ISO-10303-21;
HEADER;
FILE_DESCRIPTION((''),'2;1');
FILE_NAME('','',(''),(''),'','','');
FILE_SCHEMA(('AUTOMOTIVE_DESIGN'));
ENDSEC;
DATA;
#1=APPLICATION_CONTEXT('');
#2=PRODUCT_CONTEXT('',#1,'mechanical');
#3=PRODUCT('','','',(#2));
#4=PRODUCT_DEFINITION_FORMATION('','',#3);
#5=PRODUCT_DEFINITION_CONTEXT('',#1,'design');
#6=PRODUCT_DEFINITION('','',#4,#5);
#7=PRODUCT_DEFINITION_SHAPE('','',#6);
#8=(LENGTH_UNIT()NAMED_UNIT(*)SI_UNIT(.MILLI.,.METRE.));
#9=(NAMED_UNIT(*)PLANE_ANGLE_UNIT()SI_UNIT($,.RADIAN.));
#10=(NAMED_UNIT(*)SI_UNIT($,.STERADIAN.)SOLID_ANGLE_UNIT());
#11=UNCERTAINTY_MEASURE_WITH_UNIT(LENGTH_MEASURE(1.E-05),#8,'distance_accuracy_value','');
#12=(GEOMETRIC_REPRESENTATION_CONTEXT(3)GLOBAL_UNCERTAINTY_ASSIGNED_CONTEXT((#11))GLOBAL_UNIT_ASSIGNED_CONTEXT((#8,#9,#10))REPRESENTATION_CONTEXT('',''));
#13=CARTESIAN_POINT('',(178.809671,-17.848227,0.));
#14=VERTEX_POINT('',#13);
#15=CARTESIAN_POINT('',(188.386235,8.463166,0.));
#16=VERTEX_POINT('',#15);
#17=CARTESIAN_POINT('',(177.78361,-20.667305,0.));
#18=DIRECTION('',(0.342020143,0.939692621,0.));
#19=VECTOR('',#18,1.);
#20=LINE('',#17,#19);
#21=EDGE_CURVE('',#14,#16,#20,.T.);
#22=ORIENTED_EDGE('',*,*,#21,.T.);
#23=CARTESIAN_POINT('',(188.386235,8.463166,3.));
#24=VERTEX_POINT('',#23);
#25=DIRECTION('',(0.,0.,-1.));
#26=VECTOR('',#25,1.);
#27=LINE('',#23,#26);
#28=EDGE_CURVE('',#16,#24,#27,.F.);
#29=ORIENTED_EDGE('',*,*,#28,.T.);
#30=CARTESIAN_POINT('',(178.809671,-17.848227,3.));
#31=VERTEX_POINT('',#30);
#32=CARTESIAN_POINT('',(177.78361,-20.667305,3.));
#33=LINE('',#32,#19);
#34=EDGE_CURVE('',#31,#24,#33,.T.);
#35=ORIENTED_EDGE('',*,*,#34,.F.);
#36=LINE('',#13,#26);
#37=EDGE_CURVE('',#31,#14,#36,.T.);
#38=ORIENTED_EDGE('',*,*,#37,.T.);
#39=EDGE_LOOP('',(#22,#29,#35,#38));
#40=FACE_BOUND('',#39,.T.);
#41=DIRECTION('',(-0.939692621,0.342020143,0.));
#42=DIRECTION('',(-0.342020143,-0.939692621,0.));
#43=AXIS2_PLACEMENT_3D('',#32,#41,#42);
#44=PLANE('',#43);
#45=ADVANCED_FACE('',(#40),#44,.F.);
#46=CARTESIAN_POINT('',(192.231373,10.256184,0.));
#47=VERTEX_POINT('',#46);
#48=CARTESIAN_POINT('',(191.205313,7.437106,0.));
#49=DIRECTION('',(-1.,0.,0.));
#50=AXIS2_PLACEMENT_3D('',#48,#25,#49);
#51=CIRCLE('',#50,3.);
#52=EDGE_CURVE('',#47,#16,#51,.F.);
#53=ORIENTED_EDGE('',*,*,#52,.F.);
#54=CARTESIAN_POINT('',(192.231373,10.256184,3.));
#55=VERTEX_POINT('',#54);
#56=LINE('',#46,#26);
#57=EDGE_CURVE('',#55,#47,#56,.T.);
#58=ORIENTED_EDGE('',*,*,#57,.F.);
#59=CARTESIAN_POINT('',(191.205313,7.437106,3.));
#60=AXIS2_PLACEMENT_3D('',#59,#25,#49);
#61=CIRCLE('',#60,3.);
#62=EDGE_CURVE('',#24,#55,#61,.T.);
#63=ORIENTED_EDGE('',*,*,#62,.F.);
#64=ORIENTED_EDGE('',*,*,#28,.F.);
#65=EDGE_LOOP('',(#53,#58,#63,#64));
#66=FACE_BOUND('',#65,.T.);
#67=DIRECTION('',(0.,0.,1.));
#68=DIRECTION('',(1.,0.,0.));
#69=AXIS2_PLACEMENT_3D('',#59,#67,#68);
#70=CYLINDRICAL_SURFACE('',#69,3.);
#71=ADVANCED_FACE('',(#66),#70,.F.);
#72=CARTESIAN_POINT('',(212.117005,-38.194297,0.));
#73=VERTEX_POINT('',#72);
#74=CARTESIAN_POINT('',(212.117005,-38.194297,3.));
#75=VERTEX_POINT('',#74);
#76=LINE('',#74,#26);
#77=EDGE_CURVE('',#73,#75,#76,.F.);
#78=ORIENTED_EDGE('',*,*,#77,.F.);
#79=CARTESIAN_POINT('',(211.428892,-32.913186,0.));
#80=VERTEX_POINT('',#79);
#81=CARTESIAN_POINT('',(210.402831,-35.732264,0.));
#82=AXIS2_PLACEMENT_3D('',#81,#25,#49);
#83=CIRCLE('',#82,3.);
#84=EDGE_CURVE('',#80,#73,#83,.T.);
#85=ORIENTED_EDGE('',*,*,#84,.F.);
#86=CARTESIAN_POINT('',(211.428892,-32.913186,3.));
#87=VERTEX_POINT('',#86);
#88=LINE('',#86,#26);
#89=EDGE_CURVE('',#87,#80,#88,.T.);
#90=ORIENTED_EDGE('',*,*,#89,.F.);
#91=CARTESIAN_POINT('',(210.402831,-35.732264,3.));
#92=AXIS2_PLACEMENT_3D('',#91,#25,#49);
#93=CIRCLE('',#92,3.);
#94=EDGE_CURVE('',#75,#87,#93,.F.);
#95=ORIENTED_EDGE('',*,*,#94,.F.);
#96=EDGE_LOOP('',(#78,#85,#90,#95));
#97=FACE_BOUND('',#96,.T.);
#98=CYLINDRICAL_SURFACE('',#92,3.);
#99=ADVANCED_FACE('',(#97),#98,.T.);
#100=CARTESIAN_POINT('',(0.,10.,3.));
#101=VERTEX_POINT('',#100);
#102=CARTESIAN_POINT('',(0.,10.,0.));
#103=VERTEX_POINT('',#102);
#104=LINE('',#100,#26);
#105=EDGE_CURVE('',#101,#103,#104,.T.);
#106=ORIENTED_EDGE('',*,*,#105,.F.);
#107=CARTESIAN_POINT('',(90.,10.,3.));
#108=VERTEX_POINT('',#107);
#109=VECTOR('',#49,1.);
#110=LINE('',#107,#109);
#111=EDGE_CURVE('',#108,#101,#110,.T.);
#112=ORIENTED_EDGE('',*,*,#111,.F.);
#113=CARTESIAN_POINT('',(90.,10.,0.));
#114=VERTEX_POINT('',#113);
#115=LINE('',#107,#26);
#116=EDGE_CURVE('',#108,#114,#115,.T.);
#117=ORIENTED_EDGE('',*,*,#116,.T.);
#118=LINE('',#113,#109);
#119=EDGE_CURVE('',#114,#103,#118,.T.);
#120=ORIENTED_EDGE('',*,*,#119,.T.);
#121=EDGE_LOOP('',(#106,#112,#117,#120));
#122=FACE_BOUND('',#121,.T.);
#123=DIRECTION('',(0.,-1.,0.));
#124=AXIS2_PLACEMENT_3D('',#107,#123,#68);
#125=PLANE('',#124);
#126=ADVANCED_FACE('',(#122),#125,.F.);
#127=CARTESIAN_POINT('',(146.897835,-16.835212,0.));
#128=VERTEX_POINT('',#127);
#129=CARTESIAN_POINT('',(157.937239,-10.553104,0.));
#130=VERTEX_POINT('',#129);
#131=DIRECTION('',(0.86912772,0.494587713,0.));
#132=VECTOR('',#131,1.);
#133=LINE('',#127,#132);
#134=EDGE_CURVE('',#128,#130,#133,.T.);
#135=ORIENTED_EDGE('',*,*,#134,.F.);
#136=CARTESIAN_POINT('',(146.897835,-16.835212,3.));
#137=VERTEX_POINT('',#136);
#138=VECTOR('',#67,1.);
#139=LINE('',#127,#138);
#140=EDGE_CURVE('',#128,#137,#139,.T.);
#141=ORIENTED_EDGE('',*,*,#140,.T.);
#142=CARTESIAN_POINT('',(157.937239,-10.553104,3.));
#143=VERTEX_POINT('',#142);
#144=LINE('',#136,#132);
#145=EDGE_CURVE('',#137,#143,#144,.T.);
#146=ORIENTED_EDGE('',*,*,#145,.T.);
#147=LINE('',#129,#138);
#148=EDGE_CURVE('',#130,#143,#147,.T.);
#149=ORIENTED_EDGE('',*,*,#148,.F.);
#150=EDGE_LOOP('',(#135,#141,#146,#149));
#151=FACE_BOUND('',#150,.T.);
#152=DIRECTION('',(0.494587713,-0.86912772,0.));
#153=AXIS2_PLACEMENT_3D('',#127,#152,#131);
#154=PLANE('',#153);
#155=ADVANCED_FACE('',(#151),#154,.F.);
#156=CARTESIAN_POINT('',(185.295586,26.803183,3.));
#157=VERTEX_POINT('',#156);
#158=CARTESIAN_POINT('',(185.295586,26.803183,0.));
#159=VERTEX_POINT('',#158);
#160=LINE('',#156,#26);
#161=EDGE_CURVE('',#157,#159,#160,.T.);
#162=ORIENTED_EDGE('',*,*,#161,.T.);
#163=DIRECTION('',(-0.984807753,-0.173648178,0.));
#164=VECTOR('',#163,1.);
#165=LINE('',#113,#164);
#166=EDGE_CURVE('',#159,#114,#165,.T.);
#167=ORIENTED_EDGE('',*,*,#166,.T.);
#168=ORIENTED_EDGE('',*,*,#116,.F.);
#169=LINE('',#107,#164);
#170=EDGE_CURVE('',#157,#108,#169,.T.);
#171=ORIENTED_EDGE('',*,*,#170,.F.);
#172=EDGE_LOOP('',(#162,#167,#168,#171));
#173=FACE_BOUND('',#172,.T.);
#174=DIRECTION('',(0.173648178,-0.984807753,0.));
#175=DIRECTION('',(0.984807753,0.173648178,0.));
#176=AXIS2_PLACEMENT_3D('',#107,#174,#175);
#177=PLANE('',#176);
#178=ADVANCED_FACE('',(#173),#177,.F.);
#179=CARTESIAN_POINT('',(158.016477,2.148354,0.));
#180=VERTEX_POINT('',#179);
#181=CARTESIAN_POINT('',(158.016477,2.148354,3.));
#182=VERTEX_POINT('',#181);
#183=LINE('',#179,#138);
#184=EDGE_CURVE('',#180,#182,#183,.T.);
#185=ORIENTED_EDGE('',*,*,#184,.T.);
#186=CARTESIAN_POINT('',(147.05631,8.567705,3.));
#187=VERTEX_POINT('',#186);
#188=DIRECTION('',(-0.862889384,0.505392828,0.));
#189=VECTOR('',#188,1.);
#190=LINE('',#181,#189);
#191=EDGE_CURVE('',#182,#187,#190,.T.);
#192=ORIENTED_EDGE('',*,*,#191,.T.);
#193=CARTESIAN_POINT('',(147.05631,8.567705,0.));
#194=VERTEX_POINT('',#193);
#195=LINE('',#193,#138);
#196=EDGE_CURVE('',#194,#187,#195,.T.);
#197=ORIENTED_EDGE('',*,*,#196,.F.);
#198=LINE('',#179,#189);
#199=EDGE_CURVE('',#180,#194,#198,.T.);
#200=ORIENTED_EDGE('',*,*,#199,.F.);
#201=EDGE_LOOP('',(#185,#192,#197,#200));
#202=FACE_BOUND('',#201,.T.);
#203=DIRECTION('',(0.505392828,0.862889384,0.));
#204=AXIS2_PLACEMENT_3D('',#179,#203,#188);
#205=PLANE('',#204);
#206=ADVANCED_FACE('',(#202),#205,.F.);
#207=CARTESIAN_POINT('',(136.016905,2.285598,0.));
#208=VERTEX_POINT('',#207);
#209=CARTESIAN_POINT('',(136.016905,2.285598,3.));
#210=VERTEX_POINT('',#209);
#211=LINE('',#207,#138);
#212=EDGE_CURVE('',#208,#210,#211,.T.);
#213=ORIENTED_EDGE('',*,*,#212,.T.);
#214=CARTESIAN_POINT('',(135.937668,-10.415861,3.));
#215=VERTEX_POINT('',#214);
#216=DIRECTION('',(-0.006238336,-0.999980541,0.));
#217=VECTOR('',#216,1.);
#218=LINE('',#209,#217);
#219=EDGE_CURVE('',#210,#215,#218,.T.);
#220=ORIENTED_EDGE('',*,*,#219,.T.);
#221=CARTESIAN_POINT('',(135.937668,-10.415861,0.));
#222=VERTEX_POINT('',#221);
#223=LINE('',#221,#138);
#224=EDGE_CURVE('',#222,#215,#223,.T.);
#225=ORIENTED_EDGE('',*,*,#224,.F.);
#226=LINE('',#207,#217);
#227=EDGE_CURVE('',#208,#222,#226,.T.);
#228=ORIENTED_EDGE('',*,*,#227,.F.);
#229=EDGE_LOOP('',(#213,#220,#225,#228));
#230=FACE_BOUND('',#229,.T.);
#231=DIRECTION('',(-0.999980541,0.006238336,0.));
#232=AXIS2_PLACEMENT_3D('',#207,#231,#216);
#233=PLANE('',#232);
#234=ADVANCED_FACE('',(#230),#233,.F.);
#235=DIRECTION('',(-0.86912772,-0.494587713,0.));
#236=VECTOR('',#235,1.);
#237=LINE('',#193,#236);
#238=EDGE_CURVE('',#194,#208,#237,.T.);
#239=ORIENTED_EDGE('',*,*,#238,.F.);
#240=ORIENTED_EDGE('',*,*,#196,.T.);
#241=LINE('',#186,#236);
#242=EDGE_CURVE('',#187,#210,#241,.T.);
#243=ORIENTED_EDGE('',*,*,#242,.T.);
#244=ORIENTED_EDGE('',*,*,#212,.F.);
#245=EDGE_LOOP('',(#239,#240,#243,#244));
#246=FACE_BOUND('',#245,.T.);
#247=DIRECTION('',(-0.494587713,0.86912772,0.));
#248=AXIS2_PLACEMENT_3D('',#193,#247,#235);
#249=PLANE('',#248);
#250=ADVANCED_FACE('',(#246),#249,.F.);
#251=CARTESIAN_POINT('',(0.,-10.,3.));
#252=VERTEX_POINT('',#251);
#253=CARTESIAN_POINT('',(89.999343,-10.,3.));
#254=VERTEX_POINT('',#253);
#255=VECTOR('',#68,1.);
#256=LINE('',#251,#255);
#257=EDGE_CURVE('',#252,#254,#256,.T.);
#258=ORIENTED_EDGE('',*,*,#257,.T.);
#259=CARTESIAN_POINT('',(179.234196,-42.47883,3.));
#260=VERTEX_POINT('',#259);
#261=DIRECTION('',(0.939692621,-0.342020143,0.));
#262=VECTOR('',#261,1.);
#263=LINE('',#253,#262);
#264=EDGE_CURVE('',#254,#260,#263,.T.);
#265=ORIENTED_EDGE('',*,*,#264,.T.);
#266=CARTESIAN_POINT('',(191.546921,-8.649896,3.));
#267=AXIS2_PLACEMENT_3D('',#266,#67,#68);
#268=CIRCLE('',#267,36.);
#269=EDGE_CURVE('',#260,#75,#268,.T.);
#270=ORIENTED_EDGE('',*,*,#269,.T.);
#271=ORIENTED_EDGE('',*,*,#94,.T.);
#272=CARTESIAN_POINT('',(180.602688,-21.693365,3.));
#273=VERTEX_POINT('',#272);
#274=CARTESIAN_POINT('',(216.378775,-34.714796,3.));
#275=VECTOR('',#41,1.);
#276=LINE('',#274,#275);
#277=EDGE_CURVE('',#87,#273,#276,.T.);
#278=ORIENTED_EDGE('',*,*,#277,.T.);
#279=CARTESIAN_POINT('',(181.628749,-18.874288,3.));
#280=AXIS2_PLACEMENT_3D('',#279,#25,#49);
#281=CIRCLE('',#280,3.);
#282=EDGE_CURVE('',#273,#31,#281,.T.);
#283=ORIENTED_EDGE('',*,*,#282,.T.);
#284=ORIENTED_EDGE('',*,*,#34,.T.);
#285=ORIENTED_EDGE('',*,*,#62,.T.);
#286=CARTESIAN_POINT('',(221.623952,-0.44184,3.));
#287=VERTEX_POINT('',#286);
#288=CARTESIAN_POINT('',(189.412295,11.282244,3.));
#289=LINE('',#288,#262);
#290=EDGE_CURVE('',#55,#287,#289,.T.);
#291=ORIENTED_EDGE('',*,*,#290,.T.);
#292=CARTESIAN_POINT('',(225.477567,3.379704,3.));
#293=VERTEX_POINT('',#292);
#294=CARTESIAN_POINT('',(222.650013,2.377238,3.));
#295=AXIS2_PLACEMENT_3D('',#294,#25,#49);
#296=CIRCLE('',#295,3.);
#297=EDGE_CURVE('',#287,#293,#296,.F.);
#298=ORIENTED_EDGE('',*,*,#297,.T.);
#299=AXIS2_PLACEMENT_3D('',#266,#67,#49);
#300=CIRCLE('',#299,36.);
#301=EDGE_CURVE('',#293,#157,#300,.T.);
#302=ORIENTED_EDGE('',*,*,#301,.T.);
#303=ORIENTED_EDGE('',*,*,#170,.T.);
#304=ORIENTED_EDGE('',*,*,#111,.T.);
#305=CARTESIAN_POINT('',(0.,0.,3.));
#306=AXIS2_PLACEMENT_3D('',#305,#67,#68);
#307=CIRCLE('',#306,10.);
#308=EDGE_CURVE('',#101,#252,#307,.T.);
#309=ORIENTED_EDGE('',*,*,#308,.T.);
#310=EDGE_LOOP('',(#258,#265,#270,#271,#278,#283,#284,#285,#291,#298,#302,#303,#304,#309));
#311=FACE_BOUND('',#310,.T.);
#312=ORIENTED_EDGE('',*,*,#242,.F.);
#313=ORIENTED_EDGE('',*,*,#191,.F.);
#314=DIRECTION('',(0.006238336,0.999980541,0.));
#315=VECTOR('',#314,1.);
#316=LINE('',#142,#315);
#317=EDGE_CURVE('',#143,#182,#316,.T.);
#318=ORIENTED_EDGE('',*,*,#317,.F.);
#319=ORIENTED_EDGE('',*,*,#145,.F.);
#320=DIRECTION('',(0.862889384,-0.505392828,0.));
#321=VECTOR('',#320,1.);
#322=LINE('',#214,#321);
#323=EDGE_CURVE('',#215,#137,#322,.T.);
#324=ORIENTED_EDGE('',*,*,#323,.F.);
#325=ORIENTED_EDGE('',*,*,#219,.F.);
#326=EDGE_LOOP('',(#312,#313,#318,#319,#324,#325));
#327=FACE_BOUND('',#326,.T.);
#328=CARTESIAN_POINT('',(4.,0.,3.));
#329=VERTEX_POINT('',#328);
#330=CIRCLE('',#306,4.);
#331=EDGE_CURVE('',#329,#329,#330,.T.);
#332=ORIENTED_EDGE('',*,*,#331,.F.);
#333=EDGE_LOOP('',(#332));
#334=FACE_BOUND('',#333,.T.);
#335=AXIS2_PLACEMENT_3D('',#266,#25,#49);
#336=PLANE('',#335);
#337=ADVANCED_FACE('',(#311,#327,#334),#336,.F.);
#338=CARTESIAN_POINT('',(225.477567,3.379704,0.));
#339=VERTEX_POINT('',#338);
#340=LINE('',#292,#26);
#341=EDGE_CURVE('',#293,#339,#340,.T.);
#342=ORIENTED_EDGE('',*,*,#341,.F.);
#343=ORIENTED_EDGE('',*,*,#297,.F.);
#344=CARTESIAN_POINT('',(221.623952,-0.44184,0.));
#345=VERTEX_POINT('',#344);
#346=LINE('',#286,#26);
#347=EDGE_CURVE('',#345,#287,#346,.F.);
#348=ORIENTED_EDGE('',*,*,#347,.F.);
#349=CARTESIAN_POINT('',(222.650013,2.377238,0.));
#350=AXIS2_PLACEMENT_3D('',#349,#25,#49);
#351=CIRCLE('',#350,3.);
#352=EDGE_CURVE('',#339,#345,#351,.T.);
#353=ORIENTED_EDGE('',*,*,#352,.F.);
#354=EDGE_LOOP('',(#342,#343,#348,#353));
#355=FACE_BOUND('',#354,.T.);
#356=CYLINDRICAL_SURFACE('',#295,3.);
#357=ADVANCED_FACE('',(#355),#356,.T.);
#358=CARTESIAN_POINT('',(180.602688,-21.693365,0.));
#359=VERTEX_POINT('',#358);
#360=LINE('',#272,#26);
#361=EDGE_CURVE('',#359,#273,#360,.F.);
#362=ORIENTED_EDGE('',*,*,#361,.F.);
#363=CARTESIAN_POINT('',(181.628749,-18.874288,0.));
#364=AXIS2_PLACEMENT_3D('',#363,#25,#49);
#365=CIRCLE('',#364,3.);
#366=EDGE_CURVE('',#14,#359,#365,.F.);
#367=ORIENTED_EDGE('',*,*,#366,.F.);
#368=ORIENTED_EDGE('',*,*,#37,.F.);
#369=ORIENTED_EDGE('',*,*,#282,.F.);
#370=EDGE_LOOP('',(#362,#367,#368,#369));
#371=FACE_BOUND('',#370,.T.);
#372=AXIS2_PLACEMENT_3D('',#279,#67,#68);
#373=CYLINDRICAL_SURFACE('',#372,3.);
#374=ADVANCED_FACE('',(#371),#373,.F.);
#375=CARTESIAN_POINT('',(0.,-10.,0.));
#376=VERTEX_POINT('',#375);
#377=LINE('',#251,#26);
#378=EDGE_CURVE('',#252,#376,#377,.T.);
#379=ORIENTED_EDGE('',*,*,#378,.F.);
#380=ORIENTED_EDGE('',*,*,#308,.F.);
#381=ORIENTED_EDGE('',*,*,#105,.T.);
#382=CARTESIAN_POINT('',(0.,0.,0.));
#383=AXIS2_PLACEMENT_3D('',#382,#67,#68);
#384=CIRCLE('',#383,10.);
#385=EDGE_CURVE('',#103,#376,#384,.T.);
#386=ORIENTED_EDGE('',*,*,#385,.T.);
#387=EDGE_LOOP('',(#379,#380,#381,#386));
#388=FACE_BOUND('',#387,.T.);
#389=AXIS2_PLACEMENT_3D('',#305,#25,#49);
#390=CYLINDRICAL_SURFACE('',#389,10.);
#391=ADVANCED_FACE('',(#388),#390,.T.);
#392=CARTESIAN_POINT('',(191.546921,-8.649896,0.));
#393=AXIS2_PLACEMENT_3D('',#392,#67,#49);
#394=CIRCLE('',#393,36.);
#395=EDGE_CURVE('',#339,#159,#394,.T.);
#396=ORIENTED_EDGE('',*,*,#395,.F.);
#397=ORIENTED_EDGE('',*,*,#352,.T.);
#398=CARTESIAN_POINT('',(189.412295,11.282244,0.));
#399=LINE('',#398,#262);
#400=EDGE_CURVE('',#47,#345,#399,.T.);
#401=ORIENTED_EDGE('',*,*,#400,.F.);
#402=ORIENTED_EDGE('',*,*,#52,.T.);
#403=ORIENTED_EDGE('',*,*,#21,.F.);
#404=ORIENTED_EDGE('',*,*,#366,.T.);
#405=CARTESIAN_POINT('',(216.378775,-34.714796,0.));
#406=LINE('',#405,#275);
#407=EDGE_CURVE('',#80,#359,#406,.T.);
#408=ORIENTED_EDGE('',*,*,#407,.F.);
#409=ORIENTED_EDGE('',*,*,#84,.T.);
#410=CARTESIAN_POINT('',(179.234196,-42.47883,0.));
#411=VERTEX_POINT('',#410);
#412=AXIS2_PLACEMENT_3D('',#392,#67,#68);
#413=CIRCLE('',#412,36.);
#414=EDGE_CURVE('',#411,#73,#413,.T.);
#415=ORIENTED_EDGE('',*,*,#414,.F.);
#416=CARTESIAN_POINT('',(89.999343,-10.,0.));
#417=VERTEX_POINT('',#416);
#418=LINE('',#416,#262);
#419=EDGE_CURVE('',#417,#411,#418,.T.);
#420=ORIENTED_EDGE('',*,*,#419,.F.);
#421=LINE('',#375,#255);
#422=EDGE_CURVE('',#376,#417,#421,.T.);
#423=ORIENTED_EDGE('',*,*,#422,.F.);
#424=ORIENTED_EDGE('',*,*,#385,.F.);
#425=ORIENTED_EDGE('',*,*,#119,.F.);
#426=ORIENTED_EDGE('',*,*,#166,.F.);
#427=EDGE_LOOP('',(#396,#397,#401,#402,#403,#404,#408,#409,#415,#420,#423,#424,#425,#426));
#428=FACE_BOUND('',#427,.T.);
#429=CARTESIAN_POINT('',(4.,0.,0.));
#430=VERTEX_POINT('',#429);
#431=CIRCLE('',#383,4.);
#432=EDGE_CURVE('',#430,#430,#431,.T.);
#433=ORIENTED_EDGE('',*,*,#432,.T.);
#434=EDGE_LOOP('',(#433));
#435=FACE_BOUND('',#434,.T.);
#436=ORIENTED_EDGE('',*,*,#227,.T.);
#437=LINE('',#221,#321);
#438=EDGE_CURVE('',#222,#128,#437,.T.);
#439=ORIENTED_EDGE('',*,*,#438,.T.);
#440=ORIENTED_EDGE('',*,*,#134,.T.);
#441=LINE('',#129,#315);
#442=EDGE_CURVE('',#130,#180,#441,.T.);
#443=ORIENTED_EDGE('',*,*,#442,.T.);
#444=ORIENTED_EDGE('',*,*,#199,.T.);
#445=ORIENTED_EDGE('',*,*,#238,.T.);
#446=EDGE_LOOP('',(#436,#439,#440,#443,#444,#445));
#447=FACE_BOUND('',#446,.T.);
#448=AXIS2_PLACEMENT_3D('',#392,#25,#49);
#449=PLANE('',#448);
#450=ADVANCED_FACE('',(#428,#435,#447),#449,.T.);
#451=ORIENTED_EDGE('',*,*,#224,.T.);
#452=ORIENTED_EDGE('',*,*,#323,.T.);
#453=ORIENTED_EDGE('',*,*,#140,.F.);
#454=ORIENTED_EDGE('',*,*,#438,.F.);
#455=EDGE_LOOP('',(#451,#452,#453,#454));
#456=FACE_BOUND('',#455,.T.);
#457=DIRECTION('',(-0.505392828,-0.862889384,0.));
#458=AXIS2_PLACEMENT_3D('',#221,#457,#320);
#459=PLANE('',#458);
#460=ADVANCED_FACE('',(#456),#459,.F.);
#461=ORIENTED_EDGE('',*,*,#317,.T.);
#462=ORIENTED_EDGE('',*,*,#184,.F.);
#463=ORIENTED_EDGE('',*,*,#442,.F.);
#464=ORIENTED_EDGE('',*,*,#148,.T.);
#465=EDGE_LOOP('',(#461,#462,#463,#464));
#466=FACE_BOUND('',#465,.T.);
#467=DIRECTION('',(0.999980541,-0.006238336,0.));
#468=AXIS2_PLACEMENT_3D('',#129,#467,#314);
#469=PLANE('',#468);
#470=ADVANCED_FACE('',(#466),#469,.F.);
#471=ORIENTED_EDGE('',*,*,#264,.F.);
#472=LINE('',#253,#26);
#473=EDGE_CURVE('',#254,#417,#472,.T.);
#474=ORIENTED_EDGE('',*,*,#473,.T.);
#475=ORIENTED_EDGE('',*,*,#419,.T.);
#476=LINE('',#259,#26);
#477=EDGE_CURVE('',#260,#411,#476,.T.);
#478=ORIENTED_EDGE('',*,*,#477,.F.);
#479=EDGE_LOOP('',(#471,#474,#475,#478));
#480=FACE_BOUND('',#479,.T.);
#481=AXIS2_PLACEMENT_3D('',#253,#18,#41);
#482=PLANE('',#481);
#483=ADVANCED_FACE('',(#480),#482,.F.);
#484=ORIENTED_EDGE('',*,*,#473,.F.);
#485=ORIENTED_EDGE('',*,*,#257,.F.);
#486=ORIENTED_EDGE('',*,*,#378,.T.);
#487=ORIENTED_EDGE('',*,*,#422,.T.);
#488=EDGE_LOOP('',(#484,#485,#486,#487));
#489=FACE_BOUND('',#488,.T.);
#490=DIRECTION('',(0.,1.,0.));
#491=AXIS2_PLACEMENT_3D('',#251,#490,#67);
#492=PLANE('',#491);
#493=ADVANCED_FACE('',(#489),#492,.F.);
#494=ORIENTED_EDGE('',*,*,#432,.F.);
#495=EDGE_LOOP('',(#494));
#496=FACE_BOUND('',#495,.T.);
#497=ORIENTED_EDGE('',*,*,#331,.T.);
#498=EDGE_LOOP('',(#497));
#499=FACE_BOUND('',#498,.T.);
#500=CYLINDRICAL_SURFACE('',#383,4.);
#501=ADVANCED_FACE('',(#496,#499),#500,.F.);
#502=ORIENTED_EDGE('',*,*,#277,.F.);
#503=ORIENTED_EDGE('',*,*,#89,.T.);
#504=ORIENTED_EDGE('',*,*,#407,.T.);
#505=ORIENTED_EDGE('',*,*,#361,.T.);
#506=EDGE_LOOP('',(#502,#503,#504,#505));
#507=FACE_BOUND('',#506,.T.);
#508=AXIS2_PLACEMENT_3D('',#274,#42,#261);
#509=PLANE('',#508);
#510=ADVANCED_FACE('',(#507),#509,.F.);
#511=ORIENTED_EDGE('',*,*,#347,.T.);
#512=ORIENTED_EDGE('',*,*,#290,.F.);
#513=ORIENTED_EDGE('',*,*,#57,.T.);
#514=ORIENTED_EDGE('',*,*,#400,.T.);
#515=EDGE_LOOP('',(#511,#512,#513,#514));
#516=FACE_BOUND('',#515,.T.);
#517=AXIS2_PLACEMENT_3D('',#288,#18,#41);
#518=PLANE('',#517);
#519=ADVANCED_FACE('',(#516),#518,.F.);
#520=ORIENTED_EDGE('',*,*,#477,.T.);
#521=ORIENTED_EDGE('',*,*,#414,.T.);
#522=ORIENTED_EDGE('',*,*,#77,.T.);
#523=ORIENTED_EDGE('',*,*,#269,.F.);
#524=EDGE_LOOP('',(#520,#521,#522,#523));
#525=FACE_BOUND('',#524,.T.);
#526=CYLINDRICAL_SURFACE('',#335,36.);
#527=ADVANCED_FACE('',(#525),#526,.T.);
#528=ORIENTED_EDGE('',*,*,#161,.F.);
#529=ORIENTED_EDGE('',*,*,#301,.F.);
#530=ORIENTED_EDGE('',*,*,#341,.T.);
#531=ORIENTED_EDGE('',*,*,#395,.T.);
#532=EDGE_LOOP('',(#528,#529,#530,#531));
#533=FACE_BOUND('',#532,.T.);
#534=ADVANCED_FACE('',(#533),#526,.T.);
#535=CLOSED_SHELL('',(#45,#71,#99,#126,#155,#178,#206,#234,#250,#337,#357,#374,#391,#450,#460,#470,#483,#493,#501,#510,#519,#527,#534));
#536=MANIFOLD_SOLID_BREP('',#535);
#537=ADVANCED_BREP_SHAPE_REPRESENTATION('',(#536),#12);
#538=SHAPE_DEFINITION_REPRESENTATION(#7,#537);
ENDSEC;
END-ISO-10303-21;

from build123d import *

# Parameters (mm, degrees)
BOSS_EXTRUDE1_DEPTH = 3
SKETCH4_R           = 4
CUT_EXTRUDE1_DEPTH  = 3
FILLET1_R           = 3
FILLET2_R           = 3
FILLET4_R           = 3
FILLET5_R           = 3


with BuildPart() as part:
    # Sketch3 → Boss-Extrude1 (new body)
    with BuildSketch(Plane.XY):
        with BuildLine():
            Line((90, 10), (0, 10))
            ThreePointArc((0, 10), (-10, 0), (0, -10))
            Line((0, -10), (89.999342556, -10))
            Line((89.999342556, -10), (179.234195732, -42.478830415))
            ThreePointArc((179.234195732, -42.478830415), (198.912530475, -43.888338079), (216.37877505, -34.714796202))
            Line((216.37877505, -34.714796202), (177.783610295, -20.667305045))
            Line((177.783610295, -20.667305045), (189.412295169, 11.282244062))
            Line((189.412295169, 11.282244062), (227, -2.398561671))
            ThreePointArc((227, -2.398561671), (212.1956726, 20.839577528), (185.295586496, 26.803183042))
            Line((185.295586496, 26.803183042), (90, 10))
        make_face()
    extrude(amount=BOSS_EXTRUDE1_DEPTH)

    # Sketch4 → Cut-Extrude1 (cut)
    with BuildSketch(Plane.XY.offset(3)):
        Circle(SKETCH4_R)
        Polygon((157.937239429, -10.553104382), (158.016476937, 2.148354383), (147.056309736, 8.56770546), (136.016905026, 2.285597773), (135.937667518, -10.415860992), (146.897834719, -16.835212069), align=None)
    extrude(amount=-CUT_EXTRUDE1_DEPTH, mode=Mode.SUBTRACT)

    # Fillet1
    fillet1_edges = [part.edges().sort_by_distance(p)[0] for p in [
        (177.783610295, -20.667305045, 1.5),
    ]]
    fillet(fillet1_edges, radius=FILLET1_R)

    # Fillet2
    fillet2_edges = [part.edges().sort_by_distance(p)[0] for p in [
        (189.412295169, 11.282244062, 1.5),
    ]]
    fillet(fillet2_edges, radius=FILLET2_R)

    # Fillet4
    fillet4_edges = [part.edges().sort_by_distance(p)[0] for p in [
        (227, -2.398561671, 1.5),
    ]]
    fillet(fillet4_edges, radius=FILLET4_R)

    # Fillet5
    fillet5_edges = [part.edges().sort_by_distance(p)[0] for p in [
        (216.37877505, -34.714796202, 1.5),
    ]]
    fillet(fillet5_edges, radius=FILLET5_R)


solid = part.part
